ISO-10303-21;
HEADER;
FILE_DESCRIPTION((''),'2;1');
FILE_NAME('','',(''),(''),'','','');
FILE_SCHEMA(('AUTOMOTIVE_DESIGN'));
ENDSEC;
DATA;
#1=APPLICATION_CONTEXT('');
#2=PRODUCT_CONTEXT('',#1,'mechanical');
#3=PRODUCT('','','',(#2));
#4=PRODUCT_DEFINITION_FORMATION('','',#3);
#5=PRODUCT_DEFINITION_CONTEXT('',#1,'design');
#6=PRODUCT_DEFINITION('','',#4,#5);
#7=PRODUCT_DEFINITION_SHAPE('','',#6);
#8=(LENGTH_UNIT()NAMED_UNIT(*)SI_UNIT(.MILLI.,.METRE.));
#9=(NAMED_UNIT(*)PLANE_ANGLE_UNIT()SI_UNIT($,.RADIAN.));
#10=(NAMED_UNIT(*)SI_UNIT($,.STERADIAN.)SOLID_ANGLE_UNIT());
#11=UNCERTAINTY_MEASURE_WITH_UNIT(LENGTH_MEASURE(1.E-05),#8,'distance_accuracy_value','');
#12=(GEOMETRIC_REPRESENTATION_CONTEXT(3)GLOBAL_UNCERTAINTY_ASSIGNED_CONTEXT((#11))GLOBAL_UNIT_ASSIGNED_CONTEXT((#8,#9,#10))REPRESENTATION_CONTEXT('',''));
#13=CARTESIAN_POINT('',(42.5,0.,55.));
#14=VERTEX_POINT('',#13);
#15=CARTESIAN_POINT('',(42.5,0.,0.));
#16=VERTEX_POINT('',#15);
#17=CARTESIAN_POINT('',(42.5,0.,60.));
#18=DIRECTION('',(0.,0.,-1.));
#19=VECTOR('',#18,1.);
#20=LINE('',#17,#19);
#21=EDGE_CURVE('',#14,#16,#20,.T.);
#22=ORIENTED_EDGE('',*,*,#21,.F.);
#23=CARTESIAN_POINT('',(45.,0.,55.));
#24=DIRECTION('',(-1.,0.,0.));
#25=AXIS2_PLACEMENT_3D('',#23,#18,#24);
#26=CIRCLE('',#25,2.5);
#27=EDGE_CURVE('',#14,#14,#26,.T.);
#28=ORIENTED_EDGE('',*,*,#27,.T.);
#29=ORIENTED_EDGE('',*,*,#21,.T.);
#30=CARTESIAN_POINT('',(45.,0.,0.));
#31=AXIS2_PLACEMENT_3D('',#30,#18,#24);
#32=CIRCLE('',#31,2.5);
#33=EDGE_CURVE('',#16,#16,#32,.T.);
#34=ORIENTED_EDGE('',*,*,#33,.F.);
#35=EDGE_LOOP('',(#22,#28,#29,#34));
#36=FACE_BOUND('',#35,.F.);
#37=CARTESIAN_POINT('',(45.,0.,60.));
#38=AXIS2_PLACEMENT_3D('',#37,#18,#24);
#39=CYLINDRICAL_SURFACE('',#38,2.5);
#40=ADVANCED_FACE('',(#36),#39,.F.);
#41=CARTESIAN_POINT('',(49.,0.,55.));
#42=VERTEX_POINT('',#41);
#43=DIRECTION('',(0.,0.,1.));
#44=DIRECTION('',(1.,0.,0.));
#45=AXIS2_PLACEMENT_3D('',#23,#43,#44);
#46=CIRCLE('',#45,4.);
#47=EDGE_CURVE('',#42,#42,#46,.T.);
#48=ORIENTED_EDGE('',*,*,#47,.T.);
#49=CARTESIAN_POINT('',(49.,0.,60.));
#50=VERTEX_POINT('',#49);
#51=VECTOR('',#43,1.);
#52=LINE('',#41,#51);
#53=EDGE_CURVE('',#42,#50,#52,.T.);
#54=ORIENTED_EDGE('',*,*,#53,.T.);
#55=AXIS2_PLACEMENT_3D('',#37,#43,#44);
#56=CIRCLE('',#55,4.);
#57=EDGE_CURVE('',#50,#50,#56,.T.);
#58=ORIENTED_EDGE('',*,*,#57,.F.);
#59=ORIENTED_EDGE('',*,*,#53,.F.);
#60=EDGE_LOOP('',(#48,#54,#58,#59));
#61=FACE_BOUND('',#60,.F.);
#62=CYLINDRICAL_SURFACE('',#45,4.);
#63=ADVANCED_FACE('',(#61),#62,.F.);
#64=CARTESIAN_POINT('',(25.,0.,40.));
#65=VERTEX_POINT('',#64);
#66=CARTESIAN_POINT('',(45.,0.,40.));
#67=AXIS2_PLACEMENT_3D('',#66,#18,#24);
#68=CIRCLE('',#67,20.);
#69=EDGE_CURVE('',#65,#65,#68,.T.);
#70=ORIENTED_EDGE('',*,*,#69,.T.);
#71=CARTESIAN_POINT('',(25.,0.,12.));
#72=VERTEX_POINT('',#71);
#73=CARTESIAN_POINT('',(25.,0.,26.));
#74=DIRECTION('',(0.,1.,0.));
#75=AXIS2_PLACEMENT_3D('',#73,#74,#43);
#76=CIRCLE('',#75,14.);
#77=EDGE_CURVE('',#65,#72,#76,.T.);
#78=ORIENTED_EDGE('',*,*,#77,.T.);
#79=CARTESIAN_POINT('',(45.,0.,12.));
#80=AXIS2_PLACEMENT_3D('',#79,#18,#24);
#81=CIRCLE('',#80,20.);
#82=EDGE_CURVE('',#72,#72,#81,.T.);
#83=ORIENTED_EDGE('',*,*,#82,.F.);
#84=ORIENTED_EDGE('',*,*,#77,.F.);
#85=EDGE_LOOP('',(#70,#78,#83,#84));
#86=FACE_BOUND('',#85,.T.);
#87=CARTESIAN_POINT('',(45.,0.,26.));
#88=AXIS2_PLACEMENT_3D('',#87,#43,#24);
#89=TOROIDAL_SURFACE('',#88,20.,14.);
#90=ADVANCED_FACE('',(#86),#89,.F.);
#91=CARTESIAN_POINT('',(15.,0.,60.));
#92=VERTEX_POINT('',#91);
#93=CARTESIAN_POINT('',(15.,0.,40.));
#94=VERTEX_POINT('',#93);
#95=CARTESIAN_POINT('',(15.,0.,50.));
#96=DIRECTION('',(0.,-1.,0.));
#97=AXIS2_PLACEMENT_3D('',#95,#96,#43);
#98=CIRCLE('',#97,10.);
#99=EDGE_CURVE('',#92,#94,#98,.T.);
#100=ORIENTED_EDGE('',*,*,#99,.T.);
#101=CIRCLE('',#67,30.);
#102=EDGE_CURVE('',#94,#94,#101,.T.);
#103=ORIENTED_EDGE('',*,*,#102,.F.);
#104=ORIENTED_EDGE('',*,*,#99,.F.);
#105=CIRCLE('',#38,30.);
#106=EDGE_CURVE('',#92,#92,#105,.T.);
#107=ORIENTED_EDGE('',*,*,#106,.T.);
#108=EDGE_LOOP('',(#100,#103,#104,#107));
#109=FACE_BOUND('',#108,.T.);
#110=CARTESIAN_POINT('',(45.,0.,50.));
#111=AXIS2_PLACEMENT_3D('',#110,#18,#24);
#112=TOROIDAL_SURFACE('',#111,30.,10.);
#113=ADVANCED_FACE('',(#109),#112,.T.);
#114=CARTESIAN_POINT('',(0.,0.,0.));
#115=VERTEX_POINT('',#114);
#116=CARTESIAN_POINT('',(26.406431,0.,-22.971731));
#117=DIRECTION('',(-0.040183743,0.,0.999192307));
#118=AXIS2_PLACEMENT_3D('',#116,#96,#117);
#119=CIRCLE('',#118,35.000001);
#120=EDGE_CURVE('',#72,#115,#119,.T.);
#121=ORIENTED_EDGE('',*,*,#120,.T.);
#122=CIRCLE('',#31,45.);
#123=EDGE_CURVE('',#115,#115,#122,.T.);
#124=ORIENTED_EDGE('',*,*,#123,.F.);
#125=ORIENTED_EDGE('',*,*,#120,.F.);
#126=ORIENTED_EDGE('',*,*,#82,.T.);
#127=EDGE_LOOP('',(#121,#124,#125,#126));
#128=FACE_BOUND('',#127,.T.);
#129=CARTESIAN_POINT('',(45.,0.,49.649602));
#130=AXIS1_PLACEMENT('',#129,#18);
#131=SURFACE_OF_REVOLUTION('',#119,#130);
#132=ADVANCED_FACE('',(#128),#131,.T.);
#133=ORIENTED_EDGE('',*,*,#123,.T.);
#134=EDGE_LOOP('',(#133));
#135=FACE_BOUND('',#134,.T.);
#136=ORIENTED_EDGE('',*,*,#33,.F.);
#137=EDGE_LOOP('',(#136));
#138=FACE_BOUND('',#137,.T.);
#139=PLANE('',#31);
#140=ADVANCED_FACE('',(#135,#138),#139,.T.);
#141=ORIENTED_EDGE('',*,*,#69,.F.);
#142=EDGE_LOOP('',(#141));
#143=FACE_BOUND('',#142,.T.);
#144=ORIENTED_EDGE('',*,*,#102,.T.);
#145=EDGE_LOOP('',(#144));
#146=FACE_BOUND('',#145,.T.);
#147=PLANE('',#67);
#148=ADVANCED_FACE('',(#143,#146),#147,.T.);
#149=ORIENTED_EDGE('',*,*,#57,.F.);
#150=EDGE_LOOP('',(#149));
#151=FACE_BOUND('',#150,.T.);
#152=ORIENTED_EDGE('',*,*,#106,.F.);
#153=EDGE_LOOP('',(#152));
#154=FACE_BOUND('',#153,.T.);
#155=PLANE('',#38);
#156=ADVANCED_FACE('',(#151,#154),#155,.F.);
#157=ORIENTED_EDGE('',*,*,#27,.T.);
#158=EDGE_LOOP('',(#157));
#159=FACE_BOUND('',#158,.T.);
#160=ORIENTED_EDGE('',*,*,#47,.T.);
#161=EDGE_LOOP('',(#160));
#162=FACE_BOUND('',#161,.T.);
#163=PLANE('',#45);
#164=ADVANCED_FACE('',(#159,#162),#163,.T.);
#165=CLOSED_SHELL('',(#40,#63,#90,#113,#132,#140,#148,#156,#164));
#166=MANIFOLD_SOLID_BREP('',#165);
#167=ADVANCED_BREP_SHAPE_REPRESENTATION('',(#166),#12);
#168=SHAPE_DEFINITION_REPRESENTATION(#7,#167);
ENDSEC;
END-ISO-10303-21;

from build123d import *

# Parameters (mm, degrees)
F3_D           = 5
F3_CBORE_D     = 8
F3_CBORE_DEPTH = 5


with BuildPart() as f1:
    # F0 (on Front) → F1 (revolve)
    with BuildSketch(Plane.XZ):
        with BuildLine():
            ThreePointArc((25, 40), (39, 26), (25, 12))
            ThreePointArc((25, 12), (11.260843, 8.581576), (0, 0))
            Line((0, 0), (45, 0))
            Line((45, 0), (45, 60))
            Line((45, 60), (15, 60))
            ThreePointArc((15, 60), (5, 50), (15, 40))
            Line((15, 40), (25, 40))
        make_face()
    revolve(axis=Axis((45, 0, 49.649602), (0, 0, -1)))

    # F3 (through all)
    with Locations(Plane.XY.offset(60)):
        with Locations((45, 0)):
            CounterBoreHole(F3_D / 2, F3_CBORE_D / 2, F3_CBORE_DEPTH)


solid = f1.part
